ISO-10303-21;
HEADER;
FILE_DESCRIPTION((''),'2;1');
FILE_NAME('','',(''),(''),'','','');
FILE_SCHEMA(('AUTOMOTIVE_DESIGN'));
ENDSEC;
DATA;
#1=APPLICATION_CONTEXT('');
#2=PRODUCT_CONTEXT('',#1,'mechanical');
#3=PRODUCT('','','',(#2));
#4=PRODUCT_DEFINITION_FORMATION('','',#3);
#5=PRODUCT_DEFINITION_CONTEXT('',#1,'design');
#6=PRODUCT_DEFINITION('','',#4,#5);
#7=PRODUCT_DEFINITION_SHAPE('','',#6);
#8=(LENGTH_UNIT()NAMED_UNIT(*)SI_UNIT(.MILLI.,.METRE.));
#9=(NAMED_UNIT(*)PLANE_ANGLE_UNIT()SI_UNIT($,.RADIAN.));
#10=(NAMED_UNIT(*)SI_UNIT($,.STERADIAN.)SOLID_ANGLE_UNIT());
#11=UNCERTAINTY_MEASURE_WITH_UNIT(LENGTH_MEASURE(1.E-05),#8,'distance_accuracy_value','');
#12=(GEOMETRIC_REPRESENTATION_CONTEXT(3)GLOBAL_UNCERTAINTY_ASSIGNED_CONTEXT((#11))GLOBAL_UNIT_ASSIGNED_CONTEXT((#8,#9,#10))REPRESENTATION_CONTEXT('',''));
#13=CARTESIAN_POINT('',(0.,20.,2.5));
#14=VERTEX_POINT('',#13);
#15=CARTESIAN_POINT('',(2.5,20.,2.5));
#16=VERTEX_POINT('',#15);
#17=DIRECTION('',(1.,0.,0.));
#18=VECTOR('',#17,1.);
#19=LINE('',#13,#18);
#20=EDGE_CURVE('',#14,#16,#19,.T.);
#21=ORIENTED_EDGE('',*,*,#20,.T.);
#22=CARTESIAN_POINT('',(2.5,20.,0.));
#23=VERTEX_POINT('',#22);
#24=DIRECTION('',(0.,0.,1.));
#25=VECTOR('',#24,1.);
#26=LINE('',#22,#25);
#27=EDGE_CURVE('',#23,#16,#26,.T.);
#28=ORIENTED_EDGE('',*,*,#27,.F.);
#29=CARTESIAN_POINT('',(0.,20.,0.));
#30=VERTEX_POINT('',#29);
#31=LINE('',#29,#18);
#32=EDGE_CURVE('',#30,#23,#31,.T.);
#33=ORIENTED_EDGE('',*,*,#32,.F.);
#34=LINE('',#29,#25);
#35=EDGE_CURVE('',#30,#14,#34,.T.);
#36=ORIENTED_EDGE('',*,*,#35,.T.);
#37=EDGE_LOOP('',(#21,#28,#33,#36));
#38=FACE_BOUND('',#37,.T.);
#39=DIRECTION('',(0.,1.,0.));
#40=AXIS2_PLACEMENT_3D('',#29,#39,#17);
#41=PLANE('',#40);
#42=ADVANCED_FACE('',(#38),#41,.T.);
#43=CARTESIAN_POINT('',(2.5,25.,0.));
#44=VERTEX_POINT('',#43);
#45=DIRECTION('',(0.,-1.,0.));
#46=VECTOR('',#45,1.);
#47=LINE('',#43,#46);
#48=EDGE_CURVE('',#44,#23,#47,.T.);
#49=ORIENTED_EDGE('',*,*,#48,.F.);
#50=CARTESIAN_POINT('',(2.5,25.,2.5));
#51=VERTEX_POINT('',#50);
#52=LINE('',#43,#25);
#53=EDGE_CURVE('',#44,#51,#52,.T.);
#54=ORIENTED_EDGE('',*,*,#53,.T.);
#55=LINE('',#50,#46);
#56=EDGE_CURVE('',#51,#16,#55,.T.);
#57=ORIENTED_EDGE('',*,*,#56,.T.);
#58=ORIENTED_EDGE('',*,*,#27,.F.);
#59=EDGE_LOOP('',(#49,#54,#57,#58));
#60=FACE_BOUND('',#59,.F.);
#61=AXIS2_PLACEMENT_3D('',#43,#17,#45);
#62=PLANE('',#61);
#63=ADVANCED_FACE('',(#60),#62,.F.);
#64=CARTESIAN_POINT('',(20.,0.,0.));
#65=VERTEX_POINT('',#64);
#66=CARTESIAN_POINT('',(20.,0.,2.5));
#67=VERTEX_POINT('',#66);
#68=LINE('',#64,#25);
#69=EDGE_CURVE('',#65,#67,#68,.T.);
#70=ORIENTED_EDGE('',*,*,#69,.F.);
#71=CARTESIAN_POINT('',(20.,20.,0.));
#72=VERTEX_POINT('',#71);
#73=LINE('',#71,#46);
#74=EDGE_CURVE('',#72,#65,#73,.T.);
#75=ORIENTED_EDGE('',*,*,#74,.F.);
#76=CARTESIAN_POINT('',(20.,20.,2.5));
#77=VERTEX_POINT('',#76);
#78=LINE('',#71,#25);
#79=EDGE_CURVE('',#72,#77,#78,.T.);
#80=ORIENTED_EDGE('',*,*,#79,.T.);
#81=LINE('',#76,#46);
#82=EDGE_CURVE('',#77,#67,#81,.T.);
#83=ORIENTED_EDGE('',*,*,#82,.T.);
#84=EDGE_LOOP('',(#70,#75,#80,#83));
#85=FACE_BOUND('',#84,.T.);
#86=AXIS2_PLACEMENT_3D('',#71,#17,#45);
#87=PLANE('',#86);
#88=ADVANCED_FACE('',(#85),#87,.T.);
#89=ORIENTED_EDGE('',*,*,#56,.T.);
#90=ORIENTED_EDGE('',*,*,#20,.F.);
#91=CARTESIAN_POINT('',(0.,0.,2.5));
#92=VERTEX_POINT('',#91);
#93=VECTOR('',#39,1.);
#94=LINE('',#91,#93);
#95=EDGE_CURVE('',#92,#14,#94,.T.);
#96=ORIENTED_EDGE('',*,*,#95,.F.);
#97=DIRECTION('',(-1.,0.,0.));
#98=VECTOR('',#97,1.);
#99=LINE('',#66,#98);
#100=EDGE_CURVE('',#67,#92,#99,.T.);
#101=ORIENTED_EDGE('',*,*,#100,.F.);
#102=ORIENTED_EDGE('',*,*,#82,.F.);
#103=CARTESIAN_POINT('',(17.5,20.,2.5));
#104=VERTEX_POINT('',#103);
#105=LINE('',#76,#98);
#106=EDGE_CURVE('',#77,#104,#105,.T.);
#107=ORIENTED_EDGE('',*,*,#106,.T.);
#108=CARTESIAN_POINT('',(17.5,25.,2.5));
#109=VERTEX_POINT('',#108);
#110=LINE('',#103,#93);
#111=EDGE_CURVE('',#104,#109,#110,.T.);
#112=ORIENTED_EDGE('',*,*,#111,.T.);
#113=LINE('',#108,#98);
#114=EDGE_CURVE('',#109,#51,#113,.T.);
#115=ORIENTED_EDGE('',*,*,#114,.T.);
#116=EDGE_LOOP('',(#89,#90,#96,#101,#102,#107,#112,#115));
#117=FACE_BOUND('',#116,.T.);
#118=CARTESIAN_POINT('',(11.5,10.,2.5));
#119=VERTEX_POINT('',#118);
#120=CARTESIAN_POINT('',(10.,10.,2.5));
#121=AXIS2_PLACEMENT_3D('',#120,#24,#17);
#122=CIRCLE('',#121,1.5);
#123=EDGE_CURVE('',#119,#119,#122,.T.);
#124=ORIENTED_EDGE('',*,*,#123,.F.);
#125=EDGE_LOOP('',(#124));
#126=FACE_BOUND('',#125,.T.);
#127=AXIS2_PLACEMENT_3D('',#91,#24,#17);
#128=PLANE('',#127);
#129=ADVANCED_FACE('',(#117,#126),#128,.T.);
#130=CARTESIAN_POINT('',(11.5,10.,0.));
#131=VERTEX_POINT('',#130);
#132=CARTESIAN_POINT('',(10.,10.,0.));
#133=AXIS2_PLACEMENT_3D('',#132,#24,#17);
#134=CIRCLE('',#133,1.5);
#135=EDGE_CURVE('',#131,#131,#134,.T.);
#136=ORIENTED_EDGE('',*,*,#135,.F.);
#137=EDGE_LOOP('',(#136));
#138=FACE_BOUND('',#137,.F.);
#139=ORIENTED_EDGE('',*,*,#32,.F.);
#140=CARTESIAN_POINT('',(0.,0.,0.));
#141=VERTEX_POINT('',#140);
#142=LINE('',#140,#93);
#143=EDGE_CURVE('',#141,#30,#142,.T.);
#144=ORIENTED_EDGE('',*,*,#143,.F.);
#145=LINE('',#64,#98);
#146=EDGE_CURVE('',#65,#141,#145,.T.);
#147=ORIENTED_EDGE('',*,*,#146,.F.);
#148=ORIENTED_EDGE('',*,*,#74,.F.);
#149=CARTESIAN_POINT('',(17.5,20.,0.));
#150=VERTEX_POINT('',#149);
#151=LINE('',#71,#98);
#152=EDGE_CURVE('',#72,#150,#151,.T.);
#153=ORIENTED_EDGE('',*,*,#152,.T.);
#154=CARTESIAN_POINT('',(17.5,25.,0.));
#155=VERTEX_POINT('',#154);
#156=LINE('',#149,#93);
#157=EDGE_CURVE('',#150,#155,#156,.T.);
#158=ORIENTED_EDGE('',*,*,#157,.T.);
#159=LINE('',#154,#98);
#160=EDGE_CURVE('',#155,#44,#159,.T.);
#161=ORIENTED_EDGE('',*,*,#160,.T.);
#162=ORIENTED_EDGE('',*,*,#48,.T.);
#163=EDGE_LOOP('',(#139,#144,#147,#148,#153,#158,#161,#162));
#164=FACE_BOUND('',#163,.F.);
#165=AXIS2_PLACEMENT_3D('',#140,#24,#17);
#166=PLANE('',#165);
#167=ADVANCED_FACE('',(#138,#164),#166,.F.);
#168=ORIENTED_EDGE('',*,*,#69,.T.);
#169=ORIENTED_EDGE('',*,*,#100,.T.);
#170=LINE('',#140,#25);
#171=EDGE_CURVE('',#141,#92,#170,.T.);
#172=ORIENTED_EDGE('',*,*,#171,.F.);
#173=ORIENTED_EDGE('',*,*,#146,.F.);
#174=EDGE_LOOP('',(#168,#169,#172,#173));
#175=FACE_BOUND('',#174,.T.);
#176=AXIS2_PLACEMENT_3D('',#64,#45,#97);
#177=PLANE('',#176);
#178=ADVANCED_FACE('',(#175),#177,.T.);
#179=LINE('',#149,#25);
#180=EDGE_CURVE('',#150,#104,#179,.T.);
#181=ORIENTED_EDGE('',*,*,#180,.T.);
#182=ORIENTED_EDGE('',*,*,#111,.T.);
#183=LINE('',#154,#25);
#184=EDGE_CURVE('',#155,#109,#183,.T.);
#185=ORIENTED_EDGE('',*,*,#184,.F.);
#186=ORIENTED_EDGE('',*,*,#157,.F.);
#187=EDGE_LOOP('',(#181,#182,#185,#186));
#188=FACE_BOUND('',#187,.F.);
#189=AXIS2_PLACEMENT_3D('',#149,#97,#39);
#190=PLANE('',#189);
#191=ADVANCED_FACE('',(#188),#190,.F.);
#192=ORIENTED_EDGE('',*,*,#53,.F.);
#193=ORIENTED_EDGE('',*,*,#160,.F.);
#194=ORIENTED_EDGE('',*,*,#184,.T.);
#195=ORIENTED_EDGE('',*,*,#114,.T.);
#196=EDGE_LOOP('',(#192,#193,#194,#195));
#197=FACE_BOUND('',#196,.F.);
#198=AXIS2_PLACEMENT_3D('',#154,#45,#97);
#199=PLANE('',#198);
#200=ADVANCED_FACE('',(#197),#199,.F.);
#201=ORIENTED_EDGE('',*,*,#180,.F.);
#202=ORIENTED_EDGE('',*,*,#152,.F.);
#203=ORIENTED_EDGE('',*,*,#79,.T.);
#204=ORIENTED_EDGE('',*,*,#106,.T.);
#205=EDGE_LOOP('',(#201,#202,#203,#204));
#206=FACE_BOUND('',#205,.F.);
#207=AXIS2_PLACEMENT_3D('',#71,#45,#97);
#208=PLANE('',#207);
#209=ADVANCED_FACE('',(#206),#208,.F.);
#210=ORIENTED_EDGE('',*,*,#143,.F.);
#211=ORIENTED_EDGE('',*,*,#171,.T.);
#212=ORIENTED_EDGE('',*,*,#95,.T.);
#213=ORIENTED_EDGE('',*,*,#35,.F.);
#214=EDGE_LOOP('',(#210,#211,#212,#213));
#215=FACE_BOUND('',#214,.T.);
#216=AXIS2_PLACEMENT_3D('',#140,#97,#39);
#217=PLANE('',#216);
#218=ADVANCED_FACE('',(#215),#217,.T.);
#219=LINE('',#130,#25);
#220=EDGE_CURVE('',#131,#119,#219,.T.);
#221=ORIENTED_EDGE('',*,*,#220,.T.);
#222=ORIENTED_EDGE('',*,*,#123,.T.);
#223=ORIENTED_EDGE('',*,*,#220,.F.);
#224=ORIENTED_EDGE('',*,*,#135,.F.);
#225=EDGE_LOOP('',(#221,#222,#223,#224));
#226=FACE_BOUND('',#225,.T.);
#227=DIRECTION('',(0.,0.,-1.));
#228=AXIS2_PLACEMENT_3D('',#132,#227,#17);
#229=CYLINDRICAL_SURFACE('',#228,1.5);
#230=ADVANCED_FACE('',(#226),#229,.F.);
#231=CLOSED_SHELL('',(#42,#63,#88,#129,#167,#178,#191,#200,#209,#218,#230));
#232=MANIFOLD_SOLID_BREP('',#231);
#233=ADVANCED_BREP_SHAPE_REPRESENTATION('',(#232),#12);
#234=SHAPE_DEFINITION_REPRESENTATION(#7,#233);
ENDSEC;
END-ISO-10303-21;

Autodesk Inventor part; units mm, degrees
ref_plane "YZ Plane" through (0, 0, 0) normal (1, 0, 0) x (0, 1, 0)
ref_plane "XZ Plane" through (0, 0, 0) normal (0, 1, 0) x (-1, 0, 0)
ref_plane "XY Plane" through (0, 0, 0) normal (0, 0, 1) x (1, 0, 0)
sketch "Sketch1" plane through (0, 0, 0) normal (0, 0, 1) x (1, 0, 0)
  line L0 (0, 0) -> (0, 20)
  line L1 (20, 20) -> (20, 0)
  line L2 (20, 0) -> (0, 0)
  circle A0 centre (10, 10) radius 1.5
  line L3 (0, 20) -> (2.5, 20)
  line L4 (20, 20) -> (17.5, 20)
  line L5 (17.5, 20) -> (17.5, 25)
  line L6 (17.5, 25) -> (2.5, 25)
  line L7 (2.5, 25) -> (2.5, 20)
  dimension "d0" = 20
  dimension "d1" = 20
  dimension "d2" = 3
  dimension "d3" = 2.5
  dimension "d4" = 2.5
  dimension "d5" = 5
extrude "Extrusion1" add sketch "Sketch1" along normal blind 2.5
properties part number "then"
